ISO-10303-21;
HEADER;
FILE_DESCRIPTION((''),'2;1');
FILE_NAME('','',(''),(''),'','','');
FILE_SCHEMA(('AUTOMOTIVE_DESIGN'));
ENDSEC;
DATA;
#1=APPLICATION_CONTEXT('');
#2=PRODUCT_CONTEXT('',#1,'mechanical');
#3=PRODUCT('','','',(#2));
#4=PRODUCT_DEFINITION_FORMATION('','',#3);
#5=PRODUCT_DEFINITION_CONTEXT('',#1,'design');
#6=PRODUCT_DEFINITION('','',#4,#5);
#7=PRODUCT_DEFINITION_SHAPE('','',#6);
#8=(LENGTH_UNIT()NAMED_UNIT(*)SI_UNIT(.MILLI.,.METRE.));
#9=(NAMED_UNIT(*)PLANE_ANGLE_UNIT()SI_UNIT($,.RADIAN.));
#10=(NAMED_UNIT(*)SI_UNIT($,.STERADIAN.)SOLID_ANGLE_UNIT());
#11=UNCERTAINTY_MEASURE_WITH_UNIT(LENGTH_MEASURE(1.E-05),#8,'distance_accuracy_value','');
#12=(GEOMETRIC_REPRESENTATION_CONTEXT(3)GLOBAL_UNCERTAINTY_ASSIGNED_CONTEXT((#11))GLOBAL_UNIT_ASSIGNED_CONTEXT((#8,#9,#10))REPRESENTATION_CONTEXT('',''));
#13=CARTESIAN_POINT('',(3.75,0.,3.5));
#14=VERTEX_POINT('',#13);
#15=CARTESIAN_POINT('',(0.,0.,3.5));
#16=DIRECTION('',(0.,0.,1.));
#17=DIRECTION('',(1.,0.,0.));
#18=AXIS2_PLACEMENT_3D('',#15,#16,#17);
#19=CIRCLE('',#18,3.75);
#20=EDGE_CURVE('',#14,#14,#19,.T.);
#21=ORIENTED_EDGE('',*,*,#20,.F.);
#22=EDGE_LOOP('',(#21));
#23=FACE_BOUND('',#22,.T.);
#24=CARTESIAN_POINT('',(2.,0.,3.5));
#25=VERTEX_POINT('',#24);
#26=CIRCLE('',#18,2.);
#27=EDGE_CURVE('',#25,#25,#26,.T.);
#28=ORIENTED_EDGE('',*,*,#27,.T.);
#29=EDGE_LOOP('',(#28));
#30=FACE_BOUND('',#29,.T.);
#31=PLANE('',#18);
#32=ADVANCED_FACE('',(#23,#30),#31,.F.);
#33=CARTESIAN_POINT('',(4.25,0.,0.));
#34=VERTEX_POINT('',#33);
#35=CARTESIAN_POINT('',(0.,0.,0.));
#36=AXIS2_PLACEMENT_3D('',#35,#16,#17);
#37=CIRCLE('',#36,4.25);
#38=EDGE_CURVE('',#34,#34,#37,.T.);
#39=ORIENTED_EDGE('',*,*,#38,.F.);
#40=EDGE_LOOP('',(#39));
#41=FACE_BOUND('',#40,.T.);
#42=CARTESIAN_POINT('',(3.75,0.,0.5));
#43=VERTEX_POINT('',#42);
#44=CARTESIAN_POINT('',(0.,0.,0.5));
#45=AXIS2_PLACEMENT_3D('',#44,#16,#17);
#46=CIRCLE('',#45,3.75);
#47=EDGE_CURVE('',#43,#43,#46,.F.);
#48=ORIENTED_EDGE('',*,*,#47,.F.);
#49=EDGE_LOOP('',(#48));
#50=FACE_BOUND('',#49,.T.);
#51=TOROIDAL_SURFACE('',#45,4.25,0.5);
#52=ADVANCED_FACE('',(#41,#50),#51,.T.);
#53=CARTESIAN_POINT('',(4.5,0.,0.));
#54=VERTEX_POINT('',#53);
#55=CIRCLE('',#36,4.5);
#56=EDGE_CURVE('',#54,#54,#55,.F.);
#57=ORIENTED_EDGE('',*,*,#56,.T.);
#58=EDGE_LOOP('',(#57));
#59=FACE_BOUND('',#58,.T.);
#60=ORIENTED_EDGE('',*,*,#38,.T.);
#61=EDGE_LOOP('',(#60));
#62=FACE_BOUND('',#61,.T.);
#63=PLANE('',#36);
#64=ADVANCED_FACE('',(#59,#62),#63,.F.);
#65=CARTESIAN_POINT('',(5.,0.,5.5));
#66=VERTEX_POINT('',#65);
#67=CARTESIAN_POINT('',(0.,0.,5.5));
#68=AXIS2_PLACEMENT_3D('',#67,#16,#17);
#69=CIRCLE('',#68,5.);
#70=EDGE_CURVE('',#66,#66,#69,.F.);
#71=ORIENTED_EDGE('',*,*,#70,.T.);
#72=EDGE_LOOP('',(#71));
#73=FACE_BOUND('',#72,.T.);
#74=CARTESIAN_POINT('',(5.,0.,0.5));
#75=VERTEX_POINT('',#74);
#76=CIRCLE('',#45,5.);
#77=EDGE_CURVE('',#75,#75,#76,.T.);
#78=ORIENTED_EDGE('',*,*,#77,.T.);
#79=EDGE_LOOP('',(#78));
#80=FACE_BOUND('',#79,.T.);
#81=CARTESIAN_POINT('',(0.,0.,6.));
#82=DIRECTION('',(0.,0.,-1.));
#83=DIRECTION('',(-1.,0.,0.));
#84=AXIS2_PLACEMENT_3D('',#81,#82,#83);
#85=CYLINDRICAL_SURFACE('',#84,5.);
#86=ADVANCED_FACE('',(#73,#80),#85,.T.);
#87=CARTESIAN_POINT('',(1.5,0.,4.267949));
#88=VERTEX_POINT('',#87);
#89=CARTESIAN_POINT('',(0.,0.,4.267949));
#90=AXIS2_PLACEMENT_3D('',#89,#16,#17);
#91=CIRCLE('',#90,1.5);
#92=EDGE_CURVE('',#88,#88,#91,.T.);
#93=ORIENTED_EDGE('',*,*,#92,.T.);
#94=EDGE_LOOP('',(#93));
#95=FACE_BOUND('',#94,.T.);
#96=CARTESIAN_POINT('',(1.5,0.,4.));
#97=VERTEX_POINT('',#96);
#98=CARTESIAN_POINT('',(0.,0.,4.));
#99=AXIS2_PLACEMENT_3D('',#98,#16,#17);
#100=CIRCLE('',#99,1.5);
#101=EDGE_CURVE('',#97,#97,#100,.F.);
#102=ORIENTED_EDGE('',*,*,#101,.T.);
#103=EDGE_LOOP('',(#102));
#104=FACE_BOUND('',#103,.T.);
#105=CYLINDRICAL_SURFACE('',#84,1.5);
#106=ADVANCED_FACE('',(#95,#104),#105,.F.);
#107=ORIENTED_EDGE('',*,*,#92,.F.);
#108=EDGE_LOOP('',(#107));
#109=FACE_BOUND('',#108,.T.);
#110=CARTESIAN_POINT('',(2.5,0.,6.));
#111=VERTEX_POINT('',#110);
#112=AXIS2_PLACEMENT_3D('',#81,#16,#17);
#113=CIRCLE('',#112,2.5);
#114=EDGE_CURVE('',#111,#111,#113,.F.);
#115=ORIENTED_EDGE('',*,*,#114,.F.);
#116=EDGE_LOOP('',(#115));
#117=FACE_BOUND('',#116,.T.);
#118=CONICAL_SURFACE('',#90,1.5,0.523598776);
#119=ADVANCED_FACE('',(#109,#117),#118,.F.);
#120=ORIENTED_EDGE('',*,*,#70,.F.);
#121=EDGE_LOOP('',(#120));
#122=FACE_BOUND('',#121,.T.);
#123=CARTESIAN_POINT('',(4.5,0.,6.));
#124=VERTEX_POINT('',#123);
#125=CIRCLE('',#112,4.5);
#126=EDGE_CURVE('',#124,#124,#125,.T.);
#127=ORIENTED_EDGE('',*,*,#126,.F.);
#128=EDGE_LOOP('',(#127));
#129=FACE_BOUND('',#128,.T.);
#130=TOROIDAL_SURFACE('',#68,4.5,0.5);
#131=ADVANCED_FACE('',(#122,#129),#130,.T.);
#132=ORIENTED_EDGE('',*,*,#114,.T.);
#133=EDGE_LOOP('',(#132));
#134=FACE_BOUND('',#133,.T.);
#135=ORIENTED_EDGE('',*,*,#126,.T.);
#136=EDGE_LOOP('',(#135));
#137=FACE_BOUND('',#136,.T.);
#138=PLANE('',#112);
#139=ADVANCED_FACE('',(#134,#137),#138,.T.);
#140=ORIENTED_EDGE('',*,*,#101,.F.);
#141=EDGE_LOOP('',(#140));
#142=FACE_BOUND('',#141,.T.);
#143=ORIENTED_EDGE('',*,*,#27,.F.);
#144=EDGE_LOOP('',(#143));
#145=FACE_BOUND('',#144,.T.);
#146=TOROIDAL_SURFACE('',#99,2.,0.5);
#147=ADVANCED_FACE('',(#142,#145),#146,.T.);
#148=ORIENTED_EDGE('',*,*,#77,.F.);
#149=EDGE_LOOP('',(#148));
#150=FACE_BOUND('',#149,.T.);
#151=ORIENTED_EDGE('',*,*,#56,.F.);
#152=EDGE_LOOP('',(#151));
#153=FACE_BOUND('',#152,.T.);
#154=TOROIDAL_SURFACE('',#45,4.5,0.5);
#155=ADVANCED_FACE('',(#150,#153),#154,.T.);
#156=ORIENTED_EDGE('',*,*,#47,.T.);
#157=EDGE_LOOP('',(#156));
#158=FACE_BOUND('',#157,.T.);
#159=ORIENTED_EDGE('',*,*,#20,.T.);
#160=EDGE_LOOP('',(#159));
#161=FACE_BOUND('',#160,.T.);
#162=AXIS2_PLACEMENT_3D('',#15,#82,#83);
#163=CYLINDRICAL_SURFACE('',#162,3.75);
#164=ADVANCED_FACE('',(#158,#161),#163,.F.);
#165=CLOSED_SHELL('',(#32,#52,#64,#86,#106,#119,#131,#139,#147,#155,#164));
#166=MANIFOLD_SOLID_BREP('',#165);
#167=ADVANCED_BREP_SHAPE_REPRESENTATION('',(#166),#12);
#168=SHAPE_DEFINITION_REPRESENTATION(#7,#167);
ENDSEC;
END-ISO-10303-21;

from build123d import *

# Parameters (mm, degrees)
SKETCH1_R           = 5
SKETCH1_R_2         = 1.5
BOSS_EXTRUDE1_DEPTH = 6
SKETCH2_R           = 3.75
CUT_EXTRUDE1_DEPTH  = 3.5
FILLET1_R           = 0.5
CHAMFER1_SIZE       = 1
CHAMFER1_SIZE2      = 1.732050808


with BuildPart() as part:
    # Sketch1 → Boss-Extrude1 (new body)
    with BuildSketch(Plane.XY):
        Circle(SKETCH1_R)
        Circle(SKETCH1_R_2, mode=Mode.SUBTRACT)
    extrude(amount=BOSS_EXTRUDE1_DEPTH)

    # Sketch2 → Cut-Extrude1 (cut)
    with BuildSketch(Plane.XY):
        Circle(SKETCH2_R)
    extrude(amount=CUT_EXTRUDE1_DEPTH, mode=Mode.SUBTRACT)

    # Fillet1
    fillet1_edges = [part.edges().sort_by_distance(p)[0] for p in [
        (-1.5, 0, 3.5),
        (-3.75, 0, 0),
        (-5, 0, 0),
        (-5, 0, 6),
    ]]
    fillet(fillet1_edges, radius=FILLET1_R)

    # Chamfer1
    chamfer1_edges = [part.edges().sort_by_distance(p)[0] for p in [
        (-1.5, 0, 6),
    ]]
    chamfer1_side = [part.faces().sort_by_distance(p)[0] for p in [
        (-4.372720779, 0, 6),
    ]]
    chamfer(chamfer1_edges, length=CHAMFER1_SIZE, length2=CHAMFER1_SIZE2, reference=chamfer1_side[0])


solid = part.part
